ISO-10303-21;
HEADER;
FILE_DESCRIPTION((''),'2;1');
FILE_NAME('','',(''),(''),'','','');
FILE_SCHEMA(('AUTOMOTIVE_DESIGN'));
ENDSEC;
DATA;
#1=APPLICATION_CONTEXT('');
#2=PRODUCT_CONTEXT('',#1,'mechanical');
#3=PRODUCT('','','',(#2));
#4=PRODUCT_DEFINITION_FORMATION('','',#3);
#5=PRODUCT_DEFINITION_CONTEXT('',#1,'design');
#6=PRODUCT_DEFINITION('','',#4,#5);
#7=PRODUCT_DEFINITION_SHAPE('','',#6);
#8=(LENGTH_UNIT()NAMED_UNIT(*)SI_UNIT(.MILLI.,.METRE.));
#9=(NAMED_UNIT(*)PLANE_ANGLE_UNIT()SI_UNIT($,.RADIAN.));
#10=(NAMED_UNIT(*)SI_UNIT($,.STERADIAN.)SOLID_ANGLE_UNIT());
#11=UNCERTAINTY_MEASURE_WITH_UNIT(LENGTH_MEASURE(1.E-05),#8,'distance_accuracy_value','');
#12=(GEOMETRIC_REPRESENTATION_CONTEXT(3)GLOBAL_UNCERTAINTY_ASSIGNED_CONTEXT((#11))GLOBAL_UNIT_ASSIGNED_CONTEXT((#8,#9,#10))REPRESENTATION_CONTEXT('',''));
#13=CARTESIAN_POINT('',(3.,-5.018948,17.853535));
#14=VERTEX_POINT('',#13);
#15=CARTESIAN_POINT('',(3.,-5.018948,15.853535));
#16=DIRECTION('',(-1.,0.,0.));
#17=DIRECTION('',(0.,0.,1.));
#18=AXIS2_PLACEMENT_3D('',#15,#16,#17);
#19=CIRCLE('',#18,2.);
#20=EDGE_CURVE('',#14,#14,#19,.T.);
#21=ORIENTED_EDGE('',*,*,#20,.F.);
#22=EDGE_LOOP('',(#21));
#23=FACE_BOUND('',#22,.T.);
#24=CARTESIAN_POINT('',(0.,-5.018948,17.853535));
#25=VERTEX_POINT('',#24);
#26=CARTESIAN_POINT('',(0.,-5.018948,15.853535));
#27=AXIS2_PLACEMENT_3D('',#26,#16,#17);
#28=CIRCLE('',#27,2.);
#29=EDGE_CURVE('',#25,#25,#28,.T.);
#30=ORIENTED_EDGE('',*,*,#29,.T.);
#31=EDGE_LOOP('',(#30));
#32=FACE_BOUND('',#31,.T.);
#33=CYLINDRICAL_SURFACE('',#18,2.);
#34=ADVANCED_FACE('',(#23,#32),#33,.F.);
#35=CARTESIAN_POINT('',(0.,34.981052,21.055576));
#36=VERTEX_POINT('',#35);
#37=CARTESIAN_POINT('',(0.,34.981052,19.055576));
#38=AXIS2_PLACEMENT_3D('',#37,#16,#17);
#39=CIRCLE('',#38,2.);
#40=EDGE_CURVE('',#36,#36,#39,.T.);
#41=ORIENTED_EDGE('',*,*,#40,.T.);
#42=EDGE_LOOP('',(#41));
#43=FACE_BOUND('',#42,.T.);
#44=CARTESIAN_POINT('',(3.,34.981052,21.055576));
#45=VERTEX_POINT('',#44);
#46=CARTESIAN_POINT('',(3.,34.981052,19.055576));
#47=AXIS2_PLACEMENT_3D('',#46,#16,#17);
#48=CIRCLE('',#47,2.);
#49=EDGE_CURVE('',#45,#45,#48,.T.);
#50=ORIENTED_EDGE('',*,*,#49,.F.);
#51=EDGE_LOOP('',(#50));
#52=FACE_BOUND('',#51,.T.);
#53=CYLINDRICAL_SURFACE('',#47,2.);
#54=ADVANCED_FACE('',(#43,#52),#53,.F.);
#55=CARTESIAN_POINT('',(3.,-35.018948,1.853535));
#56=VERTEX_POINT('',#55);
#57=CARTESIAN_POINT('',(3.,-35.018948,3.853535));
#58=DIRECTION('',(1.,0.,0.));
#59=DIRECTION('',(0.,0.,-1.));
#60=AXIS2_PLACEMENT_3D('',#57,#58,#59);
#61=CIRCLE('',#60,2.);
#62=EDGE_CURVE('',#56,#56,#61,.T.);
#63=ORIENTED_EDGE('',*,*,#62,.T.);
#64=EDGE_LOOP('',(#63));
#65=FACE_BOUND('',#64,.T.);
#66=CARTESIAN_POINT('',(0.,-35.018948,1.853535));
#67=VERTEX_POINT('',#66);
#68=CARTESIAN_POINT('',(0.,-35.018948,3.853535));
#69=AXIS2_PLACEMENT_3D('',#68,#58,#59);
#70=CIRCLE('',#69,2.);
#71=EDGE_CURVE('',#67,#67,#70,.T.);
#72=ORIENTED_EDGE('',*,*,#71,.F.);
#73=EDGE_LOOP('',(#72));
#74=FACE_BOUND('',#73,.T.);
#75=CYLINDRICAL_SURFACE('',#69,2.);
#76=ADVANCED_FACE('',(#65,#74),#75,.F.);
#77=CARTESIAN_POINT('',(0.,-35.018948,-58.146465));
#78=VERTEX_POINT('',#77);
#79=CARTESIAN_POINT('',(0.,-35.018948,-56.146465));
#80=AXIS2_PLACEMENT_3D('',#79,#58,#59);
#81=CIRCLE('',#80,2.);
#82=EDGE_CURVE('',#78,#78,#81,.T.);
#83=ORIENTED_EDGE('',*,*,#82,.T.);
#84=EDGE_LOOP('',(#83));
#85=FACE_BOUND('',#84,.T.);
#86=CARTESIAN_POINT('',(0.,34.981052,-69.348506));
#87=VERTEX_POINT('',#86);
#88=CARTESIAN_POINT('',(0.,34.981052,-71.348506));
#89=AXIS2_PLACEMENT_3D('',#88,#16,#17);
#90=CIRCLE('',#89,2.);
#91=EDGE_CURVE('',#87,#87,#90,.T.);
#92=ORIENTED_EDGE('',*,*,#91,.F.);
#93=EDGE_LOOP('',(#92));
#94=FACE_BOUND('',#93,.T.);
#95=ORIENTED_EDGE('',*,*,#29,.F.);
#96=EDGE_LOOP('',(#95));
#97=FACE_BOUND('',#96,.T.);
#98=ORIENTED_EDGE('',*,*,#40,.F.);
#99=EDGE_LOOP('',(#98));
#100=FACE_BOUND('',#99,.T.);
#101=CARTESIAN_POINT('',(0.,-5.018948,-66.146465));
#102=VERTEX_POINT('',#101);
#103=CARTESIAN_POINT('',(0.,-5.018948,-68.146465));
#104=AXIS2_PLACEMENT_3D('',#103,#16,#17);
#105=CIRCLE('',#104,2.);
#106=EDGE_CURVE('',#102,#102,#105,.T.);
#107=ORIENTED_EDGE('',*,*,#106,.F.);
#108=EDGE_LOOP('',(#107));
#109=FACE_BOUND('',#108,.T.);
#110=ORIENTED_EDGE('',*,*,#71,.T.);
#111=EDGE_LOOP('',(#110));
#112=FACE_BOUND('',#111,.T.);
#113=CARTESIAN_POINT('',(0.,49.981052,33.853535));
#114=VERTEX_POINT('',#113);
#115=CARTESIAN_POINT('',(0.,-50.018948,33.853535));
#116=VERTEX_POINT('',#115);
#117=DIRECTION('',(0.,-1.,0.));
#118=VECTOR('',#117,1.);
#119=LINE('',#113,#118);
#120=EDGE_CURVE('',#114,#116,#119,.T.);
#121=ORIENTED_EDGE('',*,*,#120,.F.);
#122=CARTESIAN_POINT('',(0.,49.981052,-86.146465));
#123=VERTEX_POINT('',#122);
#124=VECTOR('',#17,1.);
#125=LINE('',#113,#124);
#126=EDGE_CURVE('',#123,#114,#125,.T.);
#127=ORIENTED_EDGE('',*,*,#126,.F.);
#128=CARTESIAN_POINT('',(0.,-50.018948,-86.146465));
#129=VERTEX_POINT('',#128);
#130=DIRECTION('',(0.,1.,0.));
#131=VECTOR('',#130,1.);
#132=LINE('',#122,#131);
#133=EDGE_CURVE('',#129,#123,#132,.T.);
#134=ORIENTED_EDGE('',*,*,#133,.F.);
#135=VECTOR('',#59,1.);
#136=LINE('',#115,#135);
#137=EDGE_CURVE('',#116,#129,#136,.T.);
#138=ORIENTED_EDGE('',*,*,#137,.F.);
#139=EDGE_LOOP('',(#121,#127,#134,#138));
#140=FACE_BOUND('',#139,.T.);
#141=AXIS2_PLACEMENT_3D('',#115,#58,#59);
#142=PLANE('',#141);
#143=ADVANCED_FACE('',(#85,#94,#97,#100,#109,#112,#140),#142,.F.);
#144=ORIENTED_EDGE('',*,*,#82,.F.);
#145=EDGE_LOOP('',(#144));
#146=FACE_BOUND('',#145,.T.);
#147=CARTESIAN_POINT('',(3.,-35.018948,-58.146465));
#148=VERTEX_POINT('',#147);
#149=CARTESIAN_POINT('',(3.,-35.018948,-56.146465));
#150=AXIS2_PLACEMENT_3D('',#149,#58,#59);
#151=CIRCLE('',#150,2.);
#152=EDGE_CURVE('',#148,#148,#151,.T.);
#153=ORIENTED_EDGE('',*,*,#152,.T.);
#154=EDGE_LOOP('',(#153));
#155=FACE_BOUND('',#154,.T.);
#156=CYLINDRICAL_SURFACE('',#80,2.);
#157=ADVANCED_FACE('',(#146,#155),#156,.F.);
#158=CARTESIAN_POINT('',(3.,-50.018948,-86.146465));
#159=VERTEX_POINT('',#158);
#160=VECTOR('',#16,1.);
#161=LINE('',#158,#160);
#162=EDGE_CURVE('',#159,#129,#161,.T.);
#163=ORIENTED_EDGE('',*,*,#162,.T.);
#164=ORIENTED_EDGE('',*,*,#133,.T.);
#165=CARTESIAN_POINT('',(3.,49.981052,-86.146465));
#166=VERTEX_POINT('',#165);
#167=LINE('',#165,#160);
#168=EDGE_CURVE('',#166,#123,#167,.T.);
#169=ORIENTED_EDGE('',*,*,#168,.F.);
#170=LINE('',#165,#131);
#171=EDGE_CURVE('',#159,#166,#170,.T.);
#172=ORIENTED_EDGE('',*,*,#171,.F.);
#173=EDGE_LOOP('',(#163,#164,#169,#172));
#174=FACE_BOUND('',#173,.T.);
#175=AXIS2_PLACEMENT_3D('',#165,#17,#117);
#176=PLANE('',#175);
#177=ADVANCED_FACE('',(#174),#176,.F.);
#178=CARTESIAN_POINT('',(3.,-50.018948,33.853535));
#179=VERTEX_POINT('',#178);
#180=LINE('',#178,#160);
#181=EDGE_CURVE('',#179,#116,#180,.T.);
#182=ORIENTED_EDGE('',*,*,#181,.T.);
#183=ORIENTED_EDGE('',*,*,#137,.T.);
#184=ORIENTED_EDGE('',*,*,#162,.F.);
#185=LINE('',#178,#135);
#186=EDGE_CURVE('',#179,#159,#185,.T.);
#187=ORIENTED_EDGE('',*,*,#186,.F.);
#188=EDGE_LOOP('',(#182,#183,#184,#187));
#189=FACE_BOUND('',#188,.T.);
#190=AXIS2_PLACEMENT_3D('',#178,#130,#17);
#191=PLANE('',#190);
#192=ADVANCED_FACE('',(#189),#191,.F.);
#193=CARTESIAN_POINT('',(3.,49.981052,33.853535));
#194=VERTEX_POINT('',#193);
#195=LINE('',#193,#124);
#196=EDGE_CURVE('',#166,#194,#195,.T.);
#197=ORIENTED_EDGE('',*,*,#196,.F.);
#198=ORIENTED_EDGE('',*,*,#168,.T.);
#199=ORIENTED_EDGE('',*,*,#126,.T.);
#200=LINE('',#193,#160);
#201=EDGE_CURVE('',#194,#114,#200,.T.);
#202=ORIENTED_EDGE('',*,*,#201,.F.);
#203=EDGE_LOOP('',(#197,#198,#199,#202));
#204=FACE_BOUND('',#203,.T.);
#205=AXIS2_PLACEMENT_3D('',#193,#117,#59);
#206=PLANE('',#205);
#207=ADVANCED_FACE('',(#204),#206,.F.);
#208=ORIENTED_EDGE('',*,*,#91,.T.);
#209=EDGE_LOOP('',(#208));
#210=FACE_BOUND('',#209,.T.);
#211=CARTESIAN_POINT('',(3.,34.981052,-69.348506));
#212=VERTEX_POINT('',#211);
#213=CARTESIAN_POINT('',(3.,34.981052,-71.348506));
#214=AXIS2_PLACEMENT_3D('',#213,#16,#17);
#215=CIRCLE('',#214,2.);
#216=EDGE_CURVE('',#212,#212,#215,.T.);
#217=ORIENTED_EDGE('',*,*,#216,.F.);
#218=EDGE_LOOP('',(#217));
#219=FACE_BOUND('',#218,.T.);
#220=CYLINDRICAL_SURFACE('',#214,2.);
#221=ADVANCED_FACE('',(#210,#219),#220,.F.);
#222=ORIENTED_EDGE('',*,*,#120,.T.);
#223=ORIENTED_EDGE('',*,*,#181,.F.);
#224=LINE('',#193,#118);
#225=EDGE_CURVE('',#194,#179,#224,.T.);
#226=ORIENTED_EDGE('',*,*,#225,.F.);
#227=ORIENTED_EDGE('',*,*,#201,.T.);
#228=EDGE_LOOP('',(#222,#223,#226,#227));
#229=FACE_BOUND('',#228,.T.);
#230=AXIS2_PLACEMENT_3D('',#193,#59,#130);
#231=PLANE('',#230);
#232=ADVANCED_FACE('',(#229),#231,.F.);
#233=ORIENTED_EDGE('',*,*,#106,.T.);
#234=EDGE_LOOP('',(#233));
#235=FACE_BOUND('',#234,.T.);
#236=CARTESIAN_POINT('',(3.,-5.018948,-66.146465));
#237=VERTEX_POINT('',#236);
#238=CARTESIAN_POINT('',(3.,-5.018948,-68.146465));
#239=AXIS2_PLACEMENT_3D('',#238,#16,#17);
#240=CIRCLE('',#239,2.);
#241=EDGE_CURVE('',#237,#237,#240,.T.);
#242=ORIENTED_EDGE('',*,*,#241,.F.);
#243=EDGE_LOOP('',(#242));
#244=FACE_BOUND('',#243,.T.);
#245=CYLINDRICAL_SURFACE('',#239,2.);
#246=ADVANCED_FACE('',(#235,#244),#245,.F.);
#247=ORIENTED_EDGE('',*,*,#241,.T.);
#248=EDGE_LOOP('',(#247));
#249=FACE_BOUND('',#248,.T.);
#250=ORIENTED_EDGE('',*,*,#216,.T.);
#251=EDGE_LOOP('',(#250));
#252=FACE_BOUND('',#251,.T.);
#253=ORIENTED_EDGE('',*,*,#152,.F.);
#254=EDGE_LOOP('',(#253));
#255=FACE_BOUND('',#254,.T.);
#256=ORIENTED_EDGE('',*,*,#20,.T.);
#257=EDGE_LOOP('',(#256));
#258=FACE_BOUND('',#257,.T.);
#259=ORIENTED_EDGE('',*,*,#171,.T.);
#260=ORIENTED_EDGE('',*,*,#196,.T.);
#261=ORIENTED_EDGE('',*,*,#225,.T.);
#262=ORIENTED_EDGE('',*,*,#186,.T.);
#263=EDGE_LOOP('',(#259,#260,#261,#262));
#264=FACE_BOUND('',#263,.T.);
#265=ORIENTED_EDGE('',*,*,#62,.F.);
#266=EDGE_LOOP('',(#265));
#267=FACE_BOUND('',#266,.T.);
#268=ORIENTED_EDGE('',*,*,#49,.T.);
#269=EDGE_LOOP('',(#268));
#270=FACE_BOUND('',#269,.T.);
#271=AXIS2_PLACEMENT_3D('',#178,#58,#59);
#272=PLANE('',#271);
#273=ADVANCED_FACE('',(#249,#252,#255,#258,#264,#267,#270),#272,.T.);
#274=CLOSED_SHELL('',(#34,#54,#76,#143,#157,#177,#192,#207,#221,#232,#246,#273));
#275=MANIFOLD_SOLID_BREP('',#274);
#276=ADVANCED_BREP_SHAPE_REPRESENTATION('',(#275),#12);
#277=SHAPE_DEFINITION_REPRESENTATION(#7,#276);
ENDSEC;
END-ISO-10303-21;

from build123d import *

# Parameters (mm, degrees)
SKETCH1_W           = 120
SKETCH1_H           = 100
BOSS_EXTRUDE1_DEPTH = 3
SKETCH2_R           = 2
CUT_EXTRUDE1_DEPTH  = 4
SKETCH3_R           = 2
CUT_EXTRUDE2_DEPTH  = 4
SKETCH4_R           = 2
CUT_EXTRUDE3_DEPTH  = 4


with BuildPart() as part:
    # Sketch1 → Boss-Extrude1 (new body)
    with BuildSketch(Plane(origin=(0, 0, 0), x_dir=(0, 0, -1), z_dir=(1, 0, 0))):
        with Locations((26.146465375, -0.01894847)):
            Rectangle(SKETCH1_W, SKETCH1_H)
    extrude(amount=BOSS_EXTRUDE1_DEPTH)

    # Sketch2 → Cut-Extrude1 (cut, through all)
    with BuildSketch(Plane(origin=(3, 0, 0), x_dir=(0, 0, -1), z_dir=(1, 0, 0))):
        with Locations((-3.853534625, -35.01894847)):
            Circle(SKETCH2_R)
        with Locations((56.146465375, -35.01894847)):
            Circle(SKETCH2_R)
    extrude(amount=-CUT_EXTRUDE1_DEPTH, mode=Mode.SUBTRACT)

    # Sketch3 → Cut-Extrude2 (cut, through all)
    with BuildSketch(Plane.ZY):
        with Locations((-68.146465375, -5.01894847)):
            Circle(SKETCH3_R)
        with Locations((15.853534625, -5.01894847)):
            Circle(SKETCH3_R)
    extrude(amount=-CUT_EXTRUDE2_DEPTH, mode=Mode.SUBTRACT)

    # Sketch4 → Cut-Extrude3 (cut, through all)
    with BuildSketch(Plane.ZY):
        with Locations((19.055575654, 34.98105153)):
            Circle(SKETCH4_R)
        with Locations((-71.348506404, 34.98105153)):
            Circle(SKETCH4_R)
    extrude(amount=-CUT_EXTRUDE3_DEPTH, mode=Mode.SUBTRACT)


solid = part.part
